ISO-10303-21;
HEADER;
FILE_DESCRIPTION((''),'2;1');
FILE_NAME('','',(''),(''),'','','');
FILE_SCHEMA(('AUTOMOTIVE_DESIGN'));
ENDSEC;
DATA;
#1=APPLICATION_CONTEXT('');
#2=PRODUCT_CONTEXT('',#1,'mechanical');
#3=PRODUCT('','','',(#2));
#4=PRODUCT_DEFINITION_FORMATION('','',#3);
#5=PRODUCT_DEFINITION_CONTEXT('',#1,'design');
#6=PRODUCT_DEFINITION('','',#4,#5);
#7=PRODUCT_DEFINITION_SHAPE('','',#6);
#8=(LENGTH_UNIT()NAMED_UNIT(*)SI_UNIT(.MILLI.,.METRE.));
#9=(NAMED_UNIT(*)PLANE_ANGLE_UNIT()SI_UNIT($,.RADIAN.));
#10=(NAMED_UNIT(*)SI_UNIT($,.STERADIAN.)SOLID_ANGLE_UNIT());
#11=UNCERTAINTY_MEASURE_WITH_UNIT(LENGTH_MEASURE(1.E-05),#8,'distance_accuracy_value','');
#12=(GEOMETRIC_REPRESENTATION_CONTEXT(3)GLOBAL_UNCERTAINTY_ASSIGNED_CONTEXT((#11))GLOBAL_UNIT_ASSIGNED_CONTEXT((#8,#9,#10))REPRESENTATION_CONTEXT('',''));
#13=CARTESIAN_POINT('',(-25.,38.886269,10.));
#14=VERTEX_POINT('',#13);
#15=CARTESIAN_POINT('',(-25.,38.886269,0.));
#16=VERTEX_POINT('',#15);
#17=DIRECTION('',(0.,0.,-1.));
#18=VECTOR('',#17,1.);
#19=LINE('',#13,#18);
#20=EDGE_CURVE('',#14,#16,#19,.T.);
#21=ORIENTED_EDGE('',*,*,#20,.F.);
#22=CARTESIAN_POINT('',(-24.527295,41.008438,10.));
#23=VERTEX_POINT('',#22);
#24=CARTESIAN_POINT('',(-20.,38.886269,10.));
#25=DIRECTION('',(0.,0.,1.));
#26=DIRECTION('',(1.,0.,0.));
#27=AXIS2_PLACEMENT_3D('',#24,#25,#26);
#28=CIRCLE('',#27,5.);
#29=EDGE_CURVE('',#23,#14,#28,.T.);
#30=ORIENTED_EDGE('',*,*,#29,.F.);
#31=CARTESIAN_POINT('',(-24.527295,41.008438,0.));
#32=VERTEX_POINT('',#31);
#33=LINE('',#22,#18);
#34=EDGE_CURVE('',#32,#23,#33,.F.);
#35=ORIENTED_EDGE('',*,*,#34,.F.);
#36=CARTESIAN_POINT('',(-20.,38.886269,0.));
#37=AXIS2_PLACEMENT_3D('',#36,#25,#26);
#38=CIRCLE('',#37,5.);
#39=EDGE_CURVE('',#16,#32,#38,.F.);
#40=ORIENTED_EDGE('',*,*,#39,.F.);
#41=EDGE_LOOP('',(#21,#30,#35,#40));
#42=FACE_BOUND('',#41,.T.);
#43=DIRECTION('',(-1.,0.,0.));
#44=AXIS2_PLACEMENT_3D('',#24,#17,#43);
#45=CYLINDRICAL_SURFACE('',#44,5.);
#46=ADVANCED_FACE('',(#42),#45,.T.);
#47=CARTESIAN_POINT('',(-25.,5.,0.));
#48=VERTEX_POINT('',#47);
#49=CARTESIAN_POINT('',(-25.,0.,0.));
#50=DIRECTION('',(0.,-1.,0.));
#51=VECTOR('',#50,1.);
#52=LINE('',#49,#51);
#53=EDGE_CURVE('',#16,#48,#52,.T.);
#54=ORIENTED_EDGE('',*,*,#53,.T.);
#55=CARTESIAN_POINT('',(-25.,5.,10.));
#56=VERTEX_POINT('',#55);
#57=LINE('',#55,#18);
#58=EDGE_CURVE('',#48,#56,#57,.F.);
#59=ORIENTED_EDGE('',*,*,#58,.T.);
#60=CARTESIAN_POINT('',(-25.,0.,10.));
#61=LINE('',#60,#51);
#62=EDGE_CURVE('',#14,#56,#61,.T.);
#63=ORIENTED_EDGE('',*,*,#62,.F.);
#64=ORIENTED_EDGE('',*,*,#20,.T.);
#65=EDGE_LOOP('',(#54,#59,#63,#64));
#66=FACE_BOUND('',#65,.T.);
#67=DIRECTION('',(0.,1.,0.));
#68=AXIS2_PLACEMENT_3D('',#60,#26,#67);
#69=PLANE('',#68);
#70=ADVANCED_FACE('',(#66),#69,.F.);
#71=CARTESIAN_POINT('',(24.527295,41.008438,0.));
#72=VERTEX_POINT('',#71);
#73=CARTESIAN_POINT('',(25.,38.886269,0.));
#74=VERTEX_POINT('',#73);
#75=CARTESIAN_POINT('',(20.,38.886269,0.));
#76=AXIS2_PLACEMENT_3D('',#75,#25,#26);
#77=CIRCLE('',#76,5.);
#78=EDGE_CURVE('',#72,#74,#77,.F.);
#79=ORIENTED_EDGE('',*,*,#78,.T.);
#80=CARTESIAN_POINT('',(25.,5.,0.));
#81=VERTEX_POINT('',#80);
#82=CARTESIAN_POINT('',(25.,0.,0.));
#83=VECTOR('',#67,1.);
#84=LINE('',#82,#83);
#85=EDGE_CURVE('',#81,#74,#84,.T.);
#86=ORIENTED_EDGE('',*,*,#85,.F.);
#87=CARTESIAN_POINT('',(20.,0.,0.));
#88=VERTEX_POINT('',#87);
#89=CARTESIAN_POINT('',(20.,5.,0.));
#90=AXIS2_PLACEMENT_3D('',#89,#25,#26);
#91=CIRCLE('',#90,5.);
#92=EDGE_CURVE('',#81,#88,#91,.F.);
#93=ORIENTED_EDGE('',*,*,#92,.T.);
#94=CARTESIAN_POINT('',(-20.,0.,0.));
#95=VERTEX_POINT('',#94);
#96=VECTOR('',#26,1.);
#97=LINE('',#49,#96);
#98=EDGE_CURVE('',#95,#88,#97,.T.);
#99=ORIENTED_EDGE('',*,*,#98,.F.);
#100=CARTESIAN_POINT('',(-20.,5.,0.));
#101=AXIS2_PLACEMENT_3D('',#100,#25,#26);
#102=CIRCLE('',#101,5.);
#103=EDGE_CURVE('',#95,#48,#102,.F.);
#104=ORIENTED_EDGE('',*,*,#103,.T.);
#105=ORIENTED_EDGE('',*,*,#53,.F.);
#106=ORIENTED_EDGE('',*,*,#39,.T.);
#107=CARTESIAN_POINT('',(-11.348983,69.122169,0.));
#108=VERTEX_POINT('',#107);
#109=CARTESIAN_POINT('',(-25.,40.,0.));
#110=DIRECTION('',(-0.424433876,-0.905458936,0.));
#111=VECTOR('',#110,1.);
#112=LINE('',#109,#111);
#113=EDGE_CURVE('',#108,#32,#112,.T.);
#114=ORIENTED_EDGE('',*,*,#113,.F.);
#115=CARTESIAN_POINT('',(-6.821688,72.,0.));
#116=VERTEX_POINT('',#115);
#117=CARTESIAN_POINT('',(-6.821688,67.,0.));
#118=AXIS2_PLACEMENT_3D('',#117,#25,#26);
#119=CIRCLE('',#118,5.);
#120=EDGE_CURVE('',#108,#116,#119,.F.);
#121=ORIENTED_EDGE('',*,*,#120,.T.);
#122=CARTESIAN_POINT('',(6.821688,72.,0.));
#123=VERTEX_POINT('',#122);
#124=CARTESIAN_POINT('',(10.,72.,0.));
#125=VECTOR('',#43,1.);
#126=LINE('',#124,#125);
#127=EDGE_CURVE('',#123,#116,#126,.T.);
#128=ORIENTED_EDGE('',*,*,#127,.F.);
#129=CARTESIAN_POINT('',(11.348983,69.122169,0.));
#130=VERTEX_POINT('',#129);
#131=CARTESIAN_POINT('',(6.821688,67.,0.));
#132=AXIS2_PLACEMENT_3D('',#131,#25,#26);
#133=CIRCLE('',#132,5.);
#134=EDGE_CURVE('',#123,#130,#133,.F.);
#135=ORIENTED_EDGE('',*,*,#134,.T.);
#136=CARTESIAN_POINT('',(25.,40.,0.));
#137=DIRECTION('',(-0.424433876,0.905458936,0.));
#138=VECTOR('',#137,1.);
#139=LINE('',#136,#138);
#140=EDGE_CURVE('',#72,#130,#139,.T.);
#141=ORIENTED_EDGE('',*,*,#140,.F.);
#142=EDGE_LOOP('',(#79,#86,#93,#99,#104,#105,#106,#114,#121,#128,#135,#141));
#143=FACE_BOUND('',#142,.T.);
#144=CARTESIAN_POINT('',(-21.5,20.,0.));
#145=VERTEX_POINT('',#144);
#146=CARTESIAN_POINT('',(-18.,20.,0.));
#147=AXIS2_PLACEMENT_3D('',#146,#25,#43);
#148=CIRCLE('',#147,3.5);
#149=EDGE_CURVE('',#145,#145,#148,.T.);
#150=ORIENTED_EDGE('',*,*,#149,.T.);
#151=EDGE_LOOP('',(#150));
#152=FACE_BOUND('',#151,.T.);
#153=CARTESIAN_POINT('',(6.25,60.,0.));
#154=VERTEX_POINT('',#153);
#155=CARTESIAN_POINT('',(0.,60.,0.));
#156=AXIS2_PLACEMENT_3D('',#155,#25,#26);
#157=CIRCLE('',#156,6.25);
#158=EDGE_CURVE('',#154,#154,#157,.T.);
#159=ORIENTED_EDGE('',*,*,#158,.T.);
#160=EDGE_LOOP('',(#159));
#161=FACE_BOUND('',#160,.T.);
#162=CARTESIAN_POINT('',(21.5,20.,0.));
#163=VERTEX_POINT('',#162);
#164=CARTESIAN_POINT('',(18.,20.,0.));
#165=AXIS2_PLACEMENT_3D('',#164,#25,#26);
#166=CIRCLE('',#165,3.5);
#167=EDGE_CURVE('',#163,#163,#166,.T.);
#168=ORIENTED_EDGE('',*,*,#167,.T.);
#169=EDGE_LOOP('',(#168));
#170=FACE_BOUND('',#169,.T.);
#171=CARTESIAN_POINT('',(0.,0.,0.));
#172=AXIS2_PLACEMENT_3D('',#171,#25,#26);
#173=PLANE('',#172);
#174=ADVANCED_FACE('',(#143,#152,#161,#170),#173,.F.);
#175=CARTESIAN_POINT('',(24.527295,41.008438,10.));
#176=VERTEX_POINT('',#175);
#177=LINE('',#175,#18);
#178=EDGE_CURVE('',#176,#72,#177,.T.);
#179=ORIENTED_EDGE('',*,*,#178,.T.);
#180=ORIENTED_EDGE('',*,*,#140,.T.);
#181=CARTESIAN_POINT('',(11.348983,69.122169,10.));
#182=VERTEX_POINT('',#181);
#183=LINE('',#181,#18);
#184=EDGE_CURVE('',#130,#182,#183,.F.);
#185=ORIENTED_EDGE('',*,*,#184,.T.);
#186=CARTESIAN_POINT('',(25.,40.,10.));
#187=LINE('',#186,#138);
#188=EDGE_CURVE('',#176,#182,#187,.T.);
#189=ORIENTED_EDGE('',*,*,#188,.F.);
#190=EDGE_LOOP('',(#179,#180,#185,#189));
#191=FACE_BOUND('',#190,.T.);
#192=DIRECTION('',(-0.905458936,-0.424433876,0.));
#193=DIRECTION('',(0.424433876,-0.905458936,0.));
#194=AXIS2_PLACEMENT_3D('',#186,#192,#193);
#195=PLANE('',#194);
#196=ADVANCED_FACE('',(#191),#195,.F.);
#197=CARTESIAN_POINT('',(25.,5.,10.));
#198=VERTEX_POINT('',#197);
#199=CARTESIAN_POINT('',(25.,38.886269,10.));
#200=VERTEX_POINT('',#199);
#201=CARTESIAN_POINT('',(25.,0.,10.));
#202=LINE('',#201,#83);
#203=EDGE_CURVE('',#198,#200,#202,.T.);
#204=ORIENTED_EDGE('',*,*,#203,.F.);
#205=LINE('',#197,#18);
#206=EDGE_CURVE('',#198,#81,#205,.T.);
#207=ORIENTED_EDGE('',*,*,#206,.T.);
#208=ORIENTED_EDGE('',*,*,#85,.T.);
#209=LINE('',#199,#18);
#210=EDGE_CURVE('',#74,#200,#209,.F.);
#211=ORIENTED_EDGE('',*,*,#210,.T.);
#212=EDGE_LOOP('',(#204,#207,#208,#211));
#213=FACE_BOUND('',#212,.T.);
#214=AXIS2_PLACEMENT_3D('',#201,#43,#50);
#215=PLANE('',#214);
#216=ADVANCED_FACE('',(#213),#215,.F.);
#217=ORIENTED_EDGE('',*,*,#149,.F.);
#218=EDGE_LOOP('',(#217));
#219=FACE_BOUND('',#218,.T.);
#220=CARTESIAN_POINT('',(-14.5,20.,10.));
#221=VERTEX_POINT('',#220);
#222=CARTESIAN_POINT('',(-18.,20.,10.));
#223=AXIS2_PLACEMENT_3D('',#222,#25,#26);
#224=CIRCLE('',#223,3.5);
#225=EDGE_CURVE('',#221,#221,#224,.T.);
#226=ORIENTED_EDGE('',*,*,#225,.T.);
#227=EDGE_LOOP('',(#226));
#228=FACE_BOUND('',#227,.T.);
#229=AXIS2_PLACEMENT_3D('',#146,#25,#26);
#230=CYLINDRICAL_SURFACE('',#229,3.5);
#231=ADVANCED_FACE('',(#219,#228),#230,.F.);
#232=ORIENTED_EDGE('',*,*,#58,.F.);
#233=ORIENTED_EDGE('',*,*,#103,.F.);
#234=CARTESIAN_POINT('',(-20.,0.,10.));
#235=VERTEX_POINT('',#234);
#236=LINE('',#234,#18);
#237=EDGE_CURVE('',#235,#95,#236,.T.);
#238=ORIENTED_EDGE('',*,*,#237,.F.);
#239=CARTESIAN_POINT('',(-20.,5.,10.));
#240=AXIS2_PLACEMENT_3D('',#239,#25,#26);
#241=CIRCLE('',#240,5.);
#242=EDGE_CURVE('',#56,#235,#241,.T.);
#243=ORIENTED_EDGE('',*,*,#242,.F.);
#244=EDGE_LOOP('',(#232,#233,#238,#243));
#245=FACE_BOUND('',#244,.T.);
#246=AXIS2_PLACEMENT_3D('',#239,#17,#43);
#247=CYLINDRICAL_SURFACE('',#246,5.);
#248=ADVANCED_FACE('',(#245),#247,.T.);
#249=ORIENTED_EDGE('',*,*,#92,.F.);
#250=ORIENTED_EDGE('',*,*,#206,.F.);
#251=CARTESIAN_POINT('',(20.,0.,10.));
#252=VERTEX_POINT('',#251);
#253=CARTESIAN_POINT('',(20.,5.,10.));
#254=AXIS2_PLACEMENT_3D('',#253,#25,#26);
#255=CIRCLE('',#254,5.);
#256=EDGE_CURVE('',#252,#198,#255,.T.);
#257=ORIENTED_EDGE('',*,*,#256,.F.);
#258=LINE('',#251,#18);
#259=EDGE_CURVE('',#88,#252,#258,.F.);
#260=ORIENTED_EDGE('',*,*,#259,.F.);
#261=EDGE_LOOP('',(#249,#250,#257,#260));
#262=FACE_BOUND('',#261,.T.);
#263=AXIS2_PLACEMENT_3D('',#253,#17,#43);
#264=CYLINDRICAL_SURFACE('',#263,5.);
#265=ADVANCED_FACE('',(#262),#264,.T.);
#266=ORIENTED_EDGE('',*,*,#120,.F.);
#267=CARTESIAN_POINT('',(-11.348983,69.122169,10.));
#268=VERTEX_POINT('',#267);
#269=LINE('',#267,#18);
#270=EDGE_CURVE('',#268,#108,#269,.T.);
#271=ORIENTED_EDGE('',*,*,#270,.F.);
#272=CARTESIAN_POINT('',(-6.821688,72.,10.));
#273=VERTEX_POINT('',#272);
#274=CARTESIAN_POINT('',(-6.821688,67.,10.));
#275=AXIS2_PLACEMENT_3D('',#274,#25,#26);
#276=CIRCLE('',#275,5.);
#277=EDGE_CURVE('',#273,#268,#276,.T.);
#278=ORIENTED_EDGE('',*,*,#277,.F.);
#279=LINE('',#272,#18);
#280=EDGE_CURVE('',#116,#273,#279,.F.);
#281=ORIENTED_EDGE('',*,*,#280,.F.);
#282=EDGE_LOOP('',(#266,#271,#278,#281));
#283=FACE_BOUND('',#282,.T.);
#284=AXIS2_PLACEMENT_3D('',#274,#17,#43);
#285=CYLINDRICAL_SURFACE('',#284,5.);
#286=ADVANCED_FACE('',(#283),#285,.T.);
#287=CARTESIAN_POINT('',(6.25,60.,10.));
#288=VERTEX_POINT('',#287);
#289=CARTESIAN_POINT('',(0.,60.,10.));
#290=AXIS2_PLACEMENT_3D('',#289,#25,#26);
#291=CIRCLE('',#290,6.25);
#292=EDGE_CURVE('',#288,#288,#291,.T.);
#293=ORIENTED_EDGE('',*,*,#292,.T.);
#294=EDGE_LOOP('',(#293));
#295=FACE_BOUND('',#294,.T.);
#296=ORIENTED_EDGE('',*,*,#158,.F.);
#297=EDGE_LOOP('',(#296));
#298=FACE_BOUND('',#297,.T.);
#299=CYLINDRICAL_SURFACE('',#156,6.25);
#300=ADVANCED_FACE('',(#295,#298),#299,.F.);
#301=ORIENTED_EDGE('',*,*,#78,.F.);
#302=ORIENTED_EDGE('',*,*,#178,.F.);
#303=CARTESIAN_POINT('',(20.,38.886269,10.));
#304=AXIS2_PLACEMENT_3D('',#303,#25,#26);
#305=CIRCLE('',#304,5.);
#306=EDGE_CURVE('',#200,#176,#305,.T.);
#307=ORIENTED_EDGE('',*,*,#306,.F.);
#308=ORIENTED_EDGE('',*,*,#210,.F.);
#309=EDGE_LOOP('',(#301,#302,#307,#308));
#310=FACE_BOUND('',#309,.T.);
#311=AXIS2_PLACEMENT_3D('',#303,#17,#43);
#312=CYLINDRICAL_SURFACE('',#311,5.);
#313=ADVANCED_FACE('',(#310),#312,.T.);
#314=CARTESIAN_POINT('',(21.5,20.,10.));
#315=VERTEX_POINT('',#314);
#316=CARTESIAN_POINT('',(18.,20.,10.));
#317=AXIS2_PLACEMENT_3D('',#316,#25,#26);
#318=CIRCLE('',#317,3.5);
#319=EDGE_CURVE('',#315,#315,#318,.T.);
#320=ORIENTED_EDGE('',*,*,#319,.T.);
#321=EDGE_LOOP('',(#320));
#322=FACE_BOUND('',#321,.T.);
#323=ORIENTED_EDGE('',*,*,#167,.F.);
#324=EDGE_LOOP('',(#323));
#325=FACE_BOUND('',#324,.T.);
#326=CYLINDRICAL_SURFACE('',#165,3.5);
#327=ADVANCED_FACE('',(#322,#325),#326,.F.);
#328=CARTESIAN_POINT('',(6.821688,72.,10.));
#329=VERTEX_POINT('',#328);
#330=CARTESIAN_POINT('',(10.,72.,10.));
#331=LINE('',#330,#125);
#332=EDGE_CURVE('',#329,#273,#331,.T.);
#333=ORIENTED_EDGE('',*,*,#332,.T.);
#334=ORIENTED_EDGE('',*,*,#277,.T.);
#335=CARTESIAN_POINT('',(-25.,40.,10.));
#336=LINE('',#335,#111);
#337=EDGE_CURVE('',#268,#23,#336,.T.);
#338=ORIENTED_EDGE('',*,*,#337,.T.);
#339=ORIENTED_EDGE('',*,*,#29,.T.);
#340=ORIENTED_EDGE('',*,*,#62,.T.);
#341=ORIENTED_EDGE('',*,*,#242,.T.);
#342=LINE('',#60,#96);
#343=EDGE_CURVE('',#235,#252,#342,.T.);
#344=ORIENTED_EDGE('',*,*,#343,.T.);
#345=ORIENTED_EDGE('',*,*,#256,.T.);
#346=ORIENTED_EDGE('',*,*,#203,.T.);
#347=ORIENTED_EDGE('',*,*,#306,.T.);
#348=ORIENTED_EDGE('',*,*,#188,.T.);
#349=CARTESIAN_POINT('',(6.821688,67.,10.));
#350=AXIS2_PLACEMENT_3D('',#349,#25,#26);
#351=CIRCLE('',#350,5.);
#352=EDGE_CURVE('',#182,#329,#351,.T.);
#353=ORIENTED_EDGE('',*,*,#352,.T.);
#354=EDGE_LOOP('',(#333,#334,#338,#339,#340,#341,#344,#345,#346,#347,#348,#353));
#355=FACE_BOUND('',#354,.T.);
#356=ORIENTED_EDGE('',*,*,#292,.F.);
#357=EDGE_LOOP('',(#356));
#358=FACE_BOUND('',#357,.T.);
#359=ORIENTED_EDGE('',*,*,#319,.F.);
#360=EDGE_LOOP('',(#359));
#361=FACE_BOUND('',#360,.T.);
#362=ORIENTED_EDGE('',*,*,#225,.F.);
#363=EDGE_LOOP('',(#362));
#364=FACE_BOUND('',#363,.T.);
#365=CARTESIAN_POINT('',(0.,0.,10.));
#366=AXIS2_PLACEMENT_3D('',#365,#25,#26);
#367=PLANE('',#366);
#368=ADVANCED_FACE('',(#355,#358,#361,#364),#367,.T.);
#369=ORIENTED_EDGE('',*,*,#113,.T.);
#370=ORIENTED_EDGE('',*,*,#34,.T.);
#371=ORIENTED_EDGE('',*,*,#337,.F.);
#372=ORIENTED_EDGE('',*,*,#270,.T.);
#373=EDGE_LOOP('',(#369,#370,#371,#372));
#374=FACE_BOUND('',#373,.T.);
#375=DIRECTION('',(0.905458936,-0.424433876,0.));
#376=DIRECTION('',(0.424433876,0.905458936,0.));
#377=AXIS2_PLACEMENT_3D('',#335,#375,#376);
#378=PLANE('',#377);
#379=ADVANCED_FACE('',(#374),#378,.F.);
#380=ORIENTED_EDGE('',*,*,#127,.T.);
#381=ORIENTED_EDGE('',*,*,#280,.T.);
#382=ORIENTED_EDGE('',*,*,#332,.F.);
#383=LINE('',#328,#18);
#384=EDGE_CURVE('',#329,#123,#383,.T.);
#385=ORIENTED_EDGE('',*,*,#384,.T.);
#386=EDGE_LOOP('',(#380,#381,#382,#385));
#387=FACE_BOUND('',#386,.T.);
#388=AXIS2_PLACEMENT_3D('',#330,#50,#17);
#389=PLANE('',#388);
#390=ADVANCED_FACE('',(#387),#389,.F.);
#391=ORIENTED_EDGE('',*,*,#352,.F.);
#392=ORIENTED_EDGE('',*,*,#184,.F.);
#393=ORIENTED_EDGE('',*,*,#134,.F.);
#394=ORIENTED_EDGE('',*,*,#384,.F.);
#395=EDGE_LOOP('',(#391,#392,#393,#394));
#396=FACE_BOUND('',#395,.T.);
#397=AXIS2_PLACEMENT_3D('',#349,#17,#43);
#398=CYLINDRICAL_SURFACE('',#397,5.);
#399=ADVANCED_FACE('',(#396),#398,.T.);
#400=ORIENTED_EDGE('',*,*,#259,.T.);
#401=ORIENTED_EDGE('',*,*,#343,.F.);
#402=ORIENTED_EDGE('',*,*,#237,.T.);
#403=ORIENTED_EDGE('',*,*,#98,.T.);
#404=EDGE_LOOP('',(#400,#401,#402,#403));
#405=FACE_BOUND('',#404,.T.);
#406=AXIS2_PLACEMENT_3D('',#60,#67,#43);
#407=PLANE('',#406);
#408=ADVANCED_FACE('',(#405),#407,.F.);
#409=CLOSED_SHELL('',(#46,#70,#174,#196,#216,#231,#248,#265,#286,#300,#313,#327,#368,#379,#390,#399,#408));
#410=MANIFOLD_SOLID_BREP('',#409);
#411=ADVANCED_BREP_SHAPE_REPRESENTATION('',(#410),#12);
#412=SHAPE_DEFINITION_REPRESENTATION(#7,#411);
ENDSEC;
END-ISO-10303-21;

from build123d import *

# Parameters (mm, degrees)
BOSS_EXTRU_1_DEPTH           = 10
ENL_V_MAT_EXTRU_1_DEPTH      = 77.870020164
ENL_V_MAT_EXTRU_1_DEPTH_BACK = 77.870020164
ESQUISSE2_R                  = 3.5
CONG_1_R                     = 5
ESQUISSE3_R                  = 6.25
ENL_V_MAT_EXTRU_2_DEPTH      = 77.870020164


with BuildPart() as part:
    # Esquisse1 → Boss.-Extru.1 (new body)
    with BuildSketch(Plane.XY):
        Polygon((-25, 0), (25, 0), (25, 40), (10, 72), (-10, 72), (-25, 40), align=None)
    extrude(amount=BOSS_EXTRU_1_DEPTH)

    # Esquisse2 → Enlèv. mat.-Extru.1 (cut, two sides: drawn at the far end of the back side and taken through both)
    with BuildSketch(Plane.XY.offset(10).offset(-ENL_V_MAT_EXTRU_1_DEPTH_BACK)):
        with Locations((18, 20)):
            Circle(ESQUISSE2_R)
        with Locations((-18, 20)):
            Circle(ESQUISSE2_R)
    extrude(amount=ENL_V_MAT_EXTRU_1_DEPTH + ENL_V_MAT_EXTRU_1_DEPTH_BACK, mode=Mode.SUBTRACT)

    # Congé1
    cong_1_edges = [part.edges().sort_by_distance(p)[0] for p in [
        (25, 0, 5),
        (-25, 0, 5),
        (-25, 40, 5),
        (-10, 72, 5),
        (10, 72, 5),
        (25, 40, 5),
    ]]
    fillet(cong_1_edges, radius=CONG_1_R)

    # Esquisse3 → Enlèv. mat.-Extru.2 (cut, through all)
    with BuildSketch(Plane.XY.offset(10)):
        with Locations((0, 60)):
            Circle(ESQUISSE3_R)
    extrude(amount=-ENL_V_MAT_EXTRU_2_DEPTH, mode=Mode.SUBTRACT)


solid = part.part
